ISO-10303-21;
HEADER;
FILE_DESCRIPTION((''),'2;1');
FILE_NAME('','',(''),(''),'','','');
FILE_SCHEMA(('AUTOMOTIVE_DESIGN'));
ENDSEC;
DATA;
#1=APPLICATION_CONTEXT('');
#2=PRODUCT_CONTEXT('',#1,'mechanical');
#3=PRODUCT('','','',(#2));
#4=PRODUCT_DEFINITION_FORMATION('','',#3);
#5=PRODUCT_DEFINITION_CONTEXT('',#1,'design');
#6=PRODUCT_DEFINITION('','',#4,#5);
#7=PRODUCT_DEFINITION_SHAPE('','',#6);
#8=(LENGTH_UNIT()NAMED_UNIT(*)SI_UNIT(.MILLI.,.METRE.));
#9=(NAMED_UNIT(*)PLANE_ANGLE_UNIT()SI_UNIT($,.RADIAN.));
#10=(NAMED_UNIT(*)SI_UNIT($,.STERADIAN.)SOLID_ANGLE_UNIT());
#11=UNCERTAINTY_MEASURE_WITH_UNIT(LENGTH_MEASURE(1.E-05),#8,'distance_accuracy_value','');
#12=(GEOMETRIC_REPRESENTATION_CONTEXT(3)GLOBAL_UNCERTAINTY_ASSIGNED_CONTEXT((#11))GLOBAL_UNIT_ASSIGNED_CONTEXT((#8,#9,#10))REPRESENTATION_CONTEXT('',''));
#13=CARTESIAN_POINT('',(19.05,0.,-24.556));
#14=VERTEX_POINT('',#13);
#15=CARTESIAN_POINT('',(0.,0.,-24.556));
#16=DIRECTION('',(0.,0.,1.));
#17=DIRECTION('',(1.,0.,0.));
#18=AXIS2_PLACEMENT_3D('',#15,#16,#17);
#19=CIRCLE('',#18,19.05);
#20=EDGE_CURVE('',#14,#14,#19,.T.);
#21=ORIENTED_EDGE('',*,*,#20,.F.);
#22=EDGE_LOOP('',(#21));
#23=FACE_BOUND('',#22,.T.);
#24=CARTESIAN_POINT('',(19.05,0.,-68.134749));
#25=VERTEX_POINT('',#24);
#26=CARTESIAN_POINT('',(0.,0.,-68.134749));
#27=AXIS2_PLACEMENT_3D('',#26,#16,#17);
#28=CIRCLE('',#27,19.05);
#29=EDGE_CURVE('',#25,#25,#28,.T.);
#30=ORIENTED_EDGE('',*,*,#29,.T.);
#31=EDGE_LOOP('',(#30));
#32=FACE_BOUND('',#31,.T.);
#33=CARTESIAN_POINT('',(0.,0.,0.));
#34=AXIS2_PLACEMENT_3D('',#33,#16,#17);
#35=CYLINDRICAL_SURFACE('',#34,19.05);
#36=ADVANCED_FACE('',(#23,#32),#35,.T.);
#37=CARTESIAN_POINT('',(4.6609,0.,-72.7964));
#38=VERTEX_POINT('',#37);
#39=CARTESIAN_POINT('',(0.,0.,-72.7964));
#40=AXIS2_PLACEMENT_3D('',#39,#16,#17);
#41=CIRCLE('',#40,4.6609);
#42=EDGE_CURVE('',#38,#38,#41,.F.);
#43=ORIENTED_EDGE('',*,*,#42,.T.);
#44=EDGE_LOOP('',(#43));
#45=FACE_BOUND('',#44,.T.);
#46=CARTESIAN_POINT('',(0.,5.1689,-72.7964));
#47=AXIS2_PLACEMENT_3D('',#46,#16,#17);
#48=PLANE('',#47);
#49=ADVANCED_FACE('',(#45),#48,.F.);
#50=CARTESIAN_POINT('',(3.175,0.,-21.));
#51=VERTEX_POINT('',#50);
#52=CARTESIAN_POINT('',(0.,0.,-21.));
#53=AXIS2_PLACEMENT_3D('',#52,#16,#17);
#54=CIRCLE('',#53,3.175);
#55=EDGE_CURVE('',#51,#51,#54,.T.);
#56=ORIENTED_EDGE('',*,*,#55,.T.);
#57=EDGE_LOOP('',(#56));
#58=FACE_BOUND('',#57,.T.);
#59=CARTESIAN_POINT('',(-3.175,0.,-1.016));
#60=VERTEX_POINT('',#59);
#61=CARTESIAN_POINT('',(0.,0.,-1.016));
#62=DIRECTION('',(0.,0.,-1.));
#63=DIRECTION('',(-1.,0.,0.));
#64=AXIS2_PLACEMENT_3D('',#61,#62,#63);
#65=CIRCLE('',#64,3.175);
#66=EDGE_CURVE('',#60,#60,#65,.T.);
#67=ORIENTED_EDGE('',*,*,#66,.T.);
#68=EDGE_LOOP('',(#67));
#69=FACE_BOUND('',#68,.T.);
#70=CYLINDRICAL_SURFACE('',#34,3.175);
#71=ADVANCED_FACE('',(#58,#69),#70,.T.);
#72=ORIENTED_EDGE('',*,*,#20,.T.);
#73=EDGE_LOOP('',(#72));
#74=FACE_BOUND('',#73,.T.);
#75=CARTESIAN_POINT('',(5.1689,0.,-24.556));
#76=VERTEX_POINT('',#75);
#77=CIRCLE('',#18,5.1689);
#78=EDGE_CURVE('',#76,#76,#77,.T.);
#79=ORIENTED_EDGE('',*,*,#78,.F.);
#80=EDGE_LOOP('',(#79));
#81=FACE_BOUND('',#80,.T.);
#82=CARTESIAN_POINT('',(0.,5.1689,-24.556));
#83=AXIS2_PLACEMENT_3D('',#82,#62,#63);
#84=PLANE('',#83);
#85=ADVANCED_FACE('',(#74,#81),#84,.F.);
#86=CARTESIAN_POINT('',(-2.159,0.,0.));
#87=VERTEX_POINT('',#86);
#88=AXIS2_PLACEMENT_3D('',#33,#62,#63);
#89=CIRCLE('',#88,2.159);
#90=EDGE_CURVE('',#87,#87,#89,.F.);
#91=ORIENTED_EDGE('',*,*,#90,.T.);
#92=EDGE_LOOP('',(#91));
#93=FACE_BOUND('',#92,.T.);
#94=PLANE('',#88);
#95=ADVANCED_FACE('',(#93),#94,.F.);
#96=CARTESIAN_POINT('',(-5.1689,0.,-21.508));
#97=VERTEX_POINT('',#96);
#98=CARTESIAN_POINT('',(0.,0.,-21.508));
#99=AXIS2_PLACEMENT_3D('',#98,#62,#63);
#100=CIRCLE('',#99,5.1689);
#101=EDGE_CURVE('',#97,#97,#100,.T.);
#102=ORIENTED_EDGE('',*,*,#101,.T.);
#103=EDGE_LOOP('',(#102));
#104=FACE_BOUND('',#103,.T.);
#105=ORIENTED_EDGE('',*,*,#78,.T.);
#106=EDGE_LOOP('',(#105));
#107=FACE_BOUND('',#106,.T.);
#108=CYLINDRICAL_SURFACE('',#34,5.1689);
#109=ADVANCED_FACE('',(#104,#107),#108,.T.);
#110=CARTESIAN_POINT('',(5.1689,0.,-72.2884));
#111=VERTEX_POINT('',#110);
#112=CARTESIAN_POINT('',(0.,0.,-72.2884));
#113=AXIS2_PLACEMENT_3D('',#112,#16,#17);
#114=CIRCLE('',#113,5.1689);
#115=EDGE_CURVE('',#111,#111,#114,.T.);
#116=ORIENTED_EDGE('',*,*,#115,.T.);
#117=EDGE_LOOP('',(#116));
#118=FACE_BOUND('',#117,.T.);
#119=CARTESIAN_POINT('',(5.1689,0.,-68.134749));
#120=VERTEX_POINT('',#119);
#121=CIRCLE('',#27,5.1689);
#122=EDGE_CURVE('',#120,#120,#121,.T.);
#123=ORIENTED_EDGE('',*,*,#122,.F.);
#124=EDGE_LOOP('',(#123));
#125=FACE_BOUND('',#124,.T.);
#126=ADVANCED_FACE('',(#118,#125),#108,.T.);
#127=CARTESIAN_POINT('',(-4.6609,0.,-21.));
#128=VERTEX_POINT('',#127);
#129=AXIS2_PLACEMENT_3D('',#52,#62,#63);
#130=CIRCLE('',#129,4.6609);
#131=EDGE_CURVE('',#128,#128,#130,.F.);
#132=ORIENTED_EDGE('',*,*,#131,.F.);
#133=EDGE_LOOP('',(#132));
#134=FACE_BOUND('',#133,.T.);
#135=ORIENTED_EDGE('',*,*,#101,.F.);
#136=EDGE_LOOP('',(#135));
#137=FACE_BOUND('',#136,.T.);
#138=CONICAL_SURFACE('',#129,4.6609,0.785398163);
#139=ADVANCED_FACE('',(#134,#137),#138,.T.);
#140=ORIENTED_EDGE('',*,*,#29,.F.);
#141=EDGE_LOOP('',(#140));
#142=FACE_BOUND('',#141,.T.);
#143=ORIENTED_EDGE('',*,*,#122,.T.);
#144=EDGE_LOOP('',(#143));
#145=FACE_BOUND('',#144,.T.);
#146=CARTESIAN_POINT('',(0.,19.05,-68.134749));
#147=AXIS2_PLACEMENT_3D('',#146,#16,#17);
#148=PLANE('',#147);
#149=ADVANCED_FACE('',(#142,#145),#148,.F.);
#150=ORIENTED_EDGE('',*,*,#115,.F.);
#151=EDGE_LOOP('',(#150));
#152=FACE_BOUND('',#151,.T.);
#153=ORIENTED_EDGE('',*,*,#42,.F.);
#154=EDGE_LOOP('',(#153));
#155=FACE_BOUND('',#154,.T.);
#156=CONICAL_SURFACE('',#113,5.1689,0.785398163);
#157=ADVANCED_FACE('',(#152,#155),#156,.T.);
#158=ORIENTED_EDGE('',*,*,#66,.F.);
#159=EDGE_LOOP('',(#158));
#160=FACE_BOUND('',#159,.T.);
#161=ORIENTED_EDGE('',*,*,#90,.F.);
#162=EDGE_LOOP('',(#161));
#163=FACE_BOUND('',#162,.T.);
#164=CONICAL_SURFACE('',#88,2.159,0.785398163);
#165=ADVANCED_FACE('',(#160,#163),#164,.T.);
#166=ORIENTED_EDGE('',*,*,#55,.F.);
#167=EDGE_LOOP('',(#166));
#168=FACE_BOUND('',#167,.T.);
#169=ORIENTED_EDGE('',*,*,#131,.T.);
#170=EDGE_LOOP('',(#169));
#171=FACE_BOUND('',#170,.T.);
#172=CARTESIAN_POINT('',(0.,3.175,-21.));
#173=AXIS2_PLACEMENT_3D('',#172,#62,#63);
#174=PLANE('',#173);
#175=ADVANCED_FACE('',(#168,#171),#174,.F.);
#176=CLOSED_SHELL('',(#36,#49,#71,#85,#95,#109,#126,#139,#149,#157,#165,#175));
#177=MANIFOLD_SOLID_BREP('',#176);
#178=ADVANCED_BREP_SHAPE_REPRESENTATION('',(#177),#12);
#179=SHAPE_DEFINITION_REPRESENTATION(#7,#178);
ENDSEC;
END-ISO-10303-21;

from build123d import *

# Parameters (mm, degrees)
CHAMFER1_SIZE = 1.016
CHAMFER2_SIZE = 0.508


with BuildPart() as part:
    # Sketch1 → Revolve1 (revolve)
    with BuildSketch(Plane(origin=(0, 0, 0), x_dir=(0, 0, -1), z_dir=(1, 0, 0)), mode=Mode.PRIVATE) as revolve1_sk:
        Polygon((0, 0), (0, 3.175), (21, 3.175), (21, 5.1689), (24.556, 5.1689), (24.556, 19.05), (68.134749365, 19.05), (68.134749365, 5.1689), (72.7964, 5.1689), (72.7964, 0), align=None)
    revolve(revolve1_sk.sketch.rotate(Axis((0, 0, 0), (0, 0, -1)), 90), axis=Axis((0, 0, 0), (0, 0, -1)))

    # Chamfer1
    chamfer1_edges = [part.edges().sort_by_distance(p)[0] for p in [
        (-3.175, 0, 0),
    ]]
    chamfer(chamfer1_edges, length=CHAMFER1_SIZE)

    # Chamfer2
    chamfer2_edges = [part.edges().sort_by_distance(p)[0] for p in [
        (-5.1689, 0, -72.7964),
        (-5.1689, 0, -21),
    ]]
    chamfer(chamfer2_edges, length=CHAMFER2_SIZE)


solid = part.part
